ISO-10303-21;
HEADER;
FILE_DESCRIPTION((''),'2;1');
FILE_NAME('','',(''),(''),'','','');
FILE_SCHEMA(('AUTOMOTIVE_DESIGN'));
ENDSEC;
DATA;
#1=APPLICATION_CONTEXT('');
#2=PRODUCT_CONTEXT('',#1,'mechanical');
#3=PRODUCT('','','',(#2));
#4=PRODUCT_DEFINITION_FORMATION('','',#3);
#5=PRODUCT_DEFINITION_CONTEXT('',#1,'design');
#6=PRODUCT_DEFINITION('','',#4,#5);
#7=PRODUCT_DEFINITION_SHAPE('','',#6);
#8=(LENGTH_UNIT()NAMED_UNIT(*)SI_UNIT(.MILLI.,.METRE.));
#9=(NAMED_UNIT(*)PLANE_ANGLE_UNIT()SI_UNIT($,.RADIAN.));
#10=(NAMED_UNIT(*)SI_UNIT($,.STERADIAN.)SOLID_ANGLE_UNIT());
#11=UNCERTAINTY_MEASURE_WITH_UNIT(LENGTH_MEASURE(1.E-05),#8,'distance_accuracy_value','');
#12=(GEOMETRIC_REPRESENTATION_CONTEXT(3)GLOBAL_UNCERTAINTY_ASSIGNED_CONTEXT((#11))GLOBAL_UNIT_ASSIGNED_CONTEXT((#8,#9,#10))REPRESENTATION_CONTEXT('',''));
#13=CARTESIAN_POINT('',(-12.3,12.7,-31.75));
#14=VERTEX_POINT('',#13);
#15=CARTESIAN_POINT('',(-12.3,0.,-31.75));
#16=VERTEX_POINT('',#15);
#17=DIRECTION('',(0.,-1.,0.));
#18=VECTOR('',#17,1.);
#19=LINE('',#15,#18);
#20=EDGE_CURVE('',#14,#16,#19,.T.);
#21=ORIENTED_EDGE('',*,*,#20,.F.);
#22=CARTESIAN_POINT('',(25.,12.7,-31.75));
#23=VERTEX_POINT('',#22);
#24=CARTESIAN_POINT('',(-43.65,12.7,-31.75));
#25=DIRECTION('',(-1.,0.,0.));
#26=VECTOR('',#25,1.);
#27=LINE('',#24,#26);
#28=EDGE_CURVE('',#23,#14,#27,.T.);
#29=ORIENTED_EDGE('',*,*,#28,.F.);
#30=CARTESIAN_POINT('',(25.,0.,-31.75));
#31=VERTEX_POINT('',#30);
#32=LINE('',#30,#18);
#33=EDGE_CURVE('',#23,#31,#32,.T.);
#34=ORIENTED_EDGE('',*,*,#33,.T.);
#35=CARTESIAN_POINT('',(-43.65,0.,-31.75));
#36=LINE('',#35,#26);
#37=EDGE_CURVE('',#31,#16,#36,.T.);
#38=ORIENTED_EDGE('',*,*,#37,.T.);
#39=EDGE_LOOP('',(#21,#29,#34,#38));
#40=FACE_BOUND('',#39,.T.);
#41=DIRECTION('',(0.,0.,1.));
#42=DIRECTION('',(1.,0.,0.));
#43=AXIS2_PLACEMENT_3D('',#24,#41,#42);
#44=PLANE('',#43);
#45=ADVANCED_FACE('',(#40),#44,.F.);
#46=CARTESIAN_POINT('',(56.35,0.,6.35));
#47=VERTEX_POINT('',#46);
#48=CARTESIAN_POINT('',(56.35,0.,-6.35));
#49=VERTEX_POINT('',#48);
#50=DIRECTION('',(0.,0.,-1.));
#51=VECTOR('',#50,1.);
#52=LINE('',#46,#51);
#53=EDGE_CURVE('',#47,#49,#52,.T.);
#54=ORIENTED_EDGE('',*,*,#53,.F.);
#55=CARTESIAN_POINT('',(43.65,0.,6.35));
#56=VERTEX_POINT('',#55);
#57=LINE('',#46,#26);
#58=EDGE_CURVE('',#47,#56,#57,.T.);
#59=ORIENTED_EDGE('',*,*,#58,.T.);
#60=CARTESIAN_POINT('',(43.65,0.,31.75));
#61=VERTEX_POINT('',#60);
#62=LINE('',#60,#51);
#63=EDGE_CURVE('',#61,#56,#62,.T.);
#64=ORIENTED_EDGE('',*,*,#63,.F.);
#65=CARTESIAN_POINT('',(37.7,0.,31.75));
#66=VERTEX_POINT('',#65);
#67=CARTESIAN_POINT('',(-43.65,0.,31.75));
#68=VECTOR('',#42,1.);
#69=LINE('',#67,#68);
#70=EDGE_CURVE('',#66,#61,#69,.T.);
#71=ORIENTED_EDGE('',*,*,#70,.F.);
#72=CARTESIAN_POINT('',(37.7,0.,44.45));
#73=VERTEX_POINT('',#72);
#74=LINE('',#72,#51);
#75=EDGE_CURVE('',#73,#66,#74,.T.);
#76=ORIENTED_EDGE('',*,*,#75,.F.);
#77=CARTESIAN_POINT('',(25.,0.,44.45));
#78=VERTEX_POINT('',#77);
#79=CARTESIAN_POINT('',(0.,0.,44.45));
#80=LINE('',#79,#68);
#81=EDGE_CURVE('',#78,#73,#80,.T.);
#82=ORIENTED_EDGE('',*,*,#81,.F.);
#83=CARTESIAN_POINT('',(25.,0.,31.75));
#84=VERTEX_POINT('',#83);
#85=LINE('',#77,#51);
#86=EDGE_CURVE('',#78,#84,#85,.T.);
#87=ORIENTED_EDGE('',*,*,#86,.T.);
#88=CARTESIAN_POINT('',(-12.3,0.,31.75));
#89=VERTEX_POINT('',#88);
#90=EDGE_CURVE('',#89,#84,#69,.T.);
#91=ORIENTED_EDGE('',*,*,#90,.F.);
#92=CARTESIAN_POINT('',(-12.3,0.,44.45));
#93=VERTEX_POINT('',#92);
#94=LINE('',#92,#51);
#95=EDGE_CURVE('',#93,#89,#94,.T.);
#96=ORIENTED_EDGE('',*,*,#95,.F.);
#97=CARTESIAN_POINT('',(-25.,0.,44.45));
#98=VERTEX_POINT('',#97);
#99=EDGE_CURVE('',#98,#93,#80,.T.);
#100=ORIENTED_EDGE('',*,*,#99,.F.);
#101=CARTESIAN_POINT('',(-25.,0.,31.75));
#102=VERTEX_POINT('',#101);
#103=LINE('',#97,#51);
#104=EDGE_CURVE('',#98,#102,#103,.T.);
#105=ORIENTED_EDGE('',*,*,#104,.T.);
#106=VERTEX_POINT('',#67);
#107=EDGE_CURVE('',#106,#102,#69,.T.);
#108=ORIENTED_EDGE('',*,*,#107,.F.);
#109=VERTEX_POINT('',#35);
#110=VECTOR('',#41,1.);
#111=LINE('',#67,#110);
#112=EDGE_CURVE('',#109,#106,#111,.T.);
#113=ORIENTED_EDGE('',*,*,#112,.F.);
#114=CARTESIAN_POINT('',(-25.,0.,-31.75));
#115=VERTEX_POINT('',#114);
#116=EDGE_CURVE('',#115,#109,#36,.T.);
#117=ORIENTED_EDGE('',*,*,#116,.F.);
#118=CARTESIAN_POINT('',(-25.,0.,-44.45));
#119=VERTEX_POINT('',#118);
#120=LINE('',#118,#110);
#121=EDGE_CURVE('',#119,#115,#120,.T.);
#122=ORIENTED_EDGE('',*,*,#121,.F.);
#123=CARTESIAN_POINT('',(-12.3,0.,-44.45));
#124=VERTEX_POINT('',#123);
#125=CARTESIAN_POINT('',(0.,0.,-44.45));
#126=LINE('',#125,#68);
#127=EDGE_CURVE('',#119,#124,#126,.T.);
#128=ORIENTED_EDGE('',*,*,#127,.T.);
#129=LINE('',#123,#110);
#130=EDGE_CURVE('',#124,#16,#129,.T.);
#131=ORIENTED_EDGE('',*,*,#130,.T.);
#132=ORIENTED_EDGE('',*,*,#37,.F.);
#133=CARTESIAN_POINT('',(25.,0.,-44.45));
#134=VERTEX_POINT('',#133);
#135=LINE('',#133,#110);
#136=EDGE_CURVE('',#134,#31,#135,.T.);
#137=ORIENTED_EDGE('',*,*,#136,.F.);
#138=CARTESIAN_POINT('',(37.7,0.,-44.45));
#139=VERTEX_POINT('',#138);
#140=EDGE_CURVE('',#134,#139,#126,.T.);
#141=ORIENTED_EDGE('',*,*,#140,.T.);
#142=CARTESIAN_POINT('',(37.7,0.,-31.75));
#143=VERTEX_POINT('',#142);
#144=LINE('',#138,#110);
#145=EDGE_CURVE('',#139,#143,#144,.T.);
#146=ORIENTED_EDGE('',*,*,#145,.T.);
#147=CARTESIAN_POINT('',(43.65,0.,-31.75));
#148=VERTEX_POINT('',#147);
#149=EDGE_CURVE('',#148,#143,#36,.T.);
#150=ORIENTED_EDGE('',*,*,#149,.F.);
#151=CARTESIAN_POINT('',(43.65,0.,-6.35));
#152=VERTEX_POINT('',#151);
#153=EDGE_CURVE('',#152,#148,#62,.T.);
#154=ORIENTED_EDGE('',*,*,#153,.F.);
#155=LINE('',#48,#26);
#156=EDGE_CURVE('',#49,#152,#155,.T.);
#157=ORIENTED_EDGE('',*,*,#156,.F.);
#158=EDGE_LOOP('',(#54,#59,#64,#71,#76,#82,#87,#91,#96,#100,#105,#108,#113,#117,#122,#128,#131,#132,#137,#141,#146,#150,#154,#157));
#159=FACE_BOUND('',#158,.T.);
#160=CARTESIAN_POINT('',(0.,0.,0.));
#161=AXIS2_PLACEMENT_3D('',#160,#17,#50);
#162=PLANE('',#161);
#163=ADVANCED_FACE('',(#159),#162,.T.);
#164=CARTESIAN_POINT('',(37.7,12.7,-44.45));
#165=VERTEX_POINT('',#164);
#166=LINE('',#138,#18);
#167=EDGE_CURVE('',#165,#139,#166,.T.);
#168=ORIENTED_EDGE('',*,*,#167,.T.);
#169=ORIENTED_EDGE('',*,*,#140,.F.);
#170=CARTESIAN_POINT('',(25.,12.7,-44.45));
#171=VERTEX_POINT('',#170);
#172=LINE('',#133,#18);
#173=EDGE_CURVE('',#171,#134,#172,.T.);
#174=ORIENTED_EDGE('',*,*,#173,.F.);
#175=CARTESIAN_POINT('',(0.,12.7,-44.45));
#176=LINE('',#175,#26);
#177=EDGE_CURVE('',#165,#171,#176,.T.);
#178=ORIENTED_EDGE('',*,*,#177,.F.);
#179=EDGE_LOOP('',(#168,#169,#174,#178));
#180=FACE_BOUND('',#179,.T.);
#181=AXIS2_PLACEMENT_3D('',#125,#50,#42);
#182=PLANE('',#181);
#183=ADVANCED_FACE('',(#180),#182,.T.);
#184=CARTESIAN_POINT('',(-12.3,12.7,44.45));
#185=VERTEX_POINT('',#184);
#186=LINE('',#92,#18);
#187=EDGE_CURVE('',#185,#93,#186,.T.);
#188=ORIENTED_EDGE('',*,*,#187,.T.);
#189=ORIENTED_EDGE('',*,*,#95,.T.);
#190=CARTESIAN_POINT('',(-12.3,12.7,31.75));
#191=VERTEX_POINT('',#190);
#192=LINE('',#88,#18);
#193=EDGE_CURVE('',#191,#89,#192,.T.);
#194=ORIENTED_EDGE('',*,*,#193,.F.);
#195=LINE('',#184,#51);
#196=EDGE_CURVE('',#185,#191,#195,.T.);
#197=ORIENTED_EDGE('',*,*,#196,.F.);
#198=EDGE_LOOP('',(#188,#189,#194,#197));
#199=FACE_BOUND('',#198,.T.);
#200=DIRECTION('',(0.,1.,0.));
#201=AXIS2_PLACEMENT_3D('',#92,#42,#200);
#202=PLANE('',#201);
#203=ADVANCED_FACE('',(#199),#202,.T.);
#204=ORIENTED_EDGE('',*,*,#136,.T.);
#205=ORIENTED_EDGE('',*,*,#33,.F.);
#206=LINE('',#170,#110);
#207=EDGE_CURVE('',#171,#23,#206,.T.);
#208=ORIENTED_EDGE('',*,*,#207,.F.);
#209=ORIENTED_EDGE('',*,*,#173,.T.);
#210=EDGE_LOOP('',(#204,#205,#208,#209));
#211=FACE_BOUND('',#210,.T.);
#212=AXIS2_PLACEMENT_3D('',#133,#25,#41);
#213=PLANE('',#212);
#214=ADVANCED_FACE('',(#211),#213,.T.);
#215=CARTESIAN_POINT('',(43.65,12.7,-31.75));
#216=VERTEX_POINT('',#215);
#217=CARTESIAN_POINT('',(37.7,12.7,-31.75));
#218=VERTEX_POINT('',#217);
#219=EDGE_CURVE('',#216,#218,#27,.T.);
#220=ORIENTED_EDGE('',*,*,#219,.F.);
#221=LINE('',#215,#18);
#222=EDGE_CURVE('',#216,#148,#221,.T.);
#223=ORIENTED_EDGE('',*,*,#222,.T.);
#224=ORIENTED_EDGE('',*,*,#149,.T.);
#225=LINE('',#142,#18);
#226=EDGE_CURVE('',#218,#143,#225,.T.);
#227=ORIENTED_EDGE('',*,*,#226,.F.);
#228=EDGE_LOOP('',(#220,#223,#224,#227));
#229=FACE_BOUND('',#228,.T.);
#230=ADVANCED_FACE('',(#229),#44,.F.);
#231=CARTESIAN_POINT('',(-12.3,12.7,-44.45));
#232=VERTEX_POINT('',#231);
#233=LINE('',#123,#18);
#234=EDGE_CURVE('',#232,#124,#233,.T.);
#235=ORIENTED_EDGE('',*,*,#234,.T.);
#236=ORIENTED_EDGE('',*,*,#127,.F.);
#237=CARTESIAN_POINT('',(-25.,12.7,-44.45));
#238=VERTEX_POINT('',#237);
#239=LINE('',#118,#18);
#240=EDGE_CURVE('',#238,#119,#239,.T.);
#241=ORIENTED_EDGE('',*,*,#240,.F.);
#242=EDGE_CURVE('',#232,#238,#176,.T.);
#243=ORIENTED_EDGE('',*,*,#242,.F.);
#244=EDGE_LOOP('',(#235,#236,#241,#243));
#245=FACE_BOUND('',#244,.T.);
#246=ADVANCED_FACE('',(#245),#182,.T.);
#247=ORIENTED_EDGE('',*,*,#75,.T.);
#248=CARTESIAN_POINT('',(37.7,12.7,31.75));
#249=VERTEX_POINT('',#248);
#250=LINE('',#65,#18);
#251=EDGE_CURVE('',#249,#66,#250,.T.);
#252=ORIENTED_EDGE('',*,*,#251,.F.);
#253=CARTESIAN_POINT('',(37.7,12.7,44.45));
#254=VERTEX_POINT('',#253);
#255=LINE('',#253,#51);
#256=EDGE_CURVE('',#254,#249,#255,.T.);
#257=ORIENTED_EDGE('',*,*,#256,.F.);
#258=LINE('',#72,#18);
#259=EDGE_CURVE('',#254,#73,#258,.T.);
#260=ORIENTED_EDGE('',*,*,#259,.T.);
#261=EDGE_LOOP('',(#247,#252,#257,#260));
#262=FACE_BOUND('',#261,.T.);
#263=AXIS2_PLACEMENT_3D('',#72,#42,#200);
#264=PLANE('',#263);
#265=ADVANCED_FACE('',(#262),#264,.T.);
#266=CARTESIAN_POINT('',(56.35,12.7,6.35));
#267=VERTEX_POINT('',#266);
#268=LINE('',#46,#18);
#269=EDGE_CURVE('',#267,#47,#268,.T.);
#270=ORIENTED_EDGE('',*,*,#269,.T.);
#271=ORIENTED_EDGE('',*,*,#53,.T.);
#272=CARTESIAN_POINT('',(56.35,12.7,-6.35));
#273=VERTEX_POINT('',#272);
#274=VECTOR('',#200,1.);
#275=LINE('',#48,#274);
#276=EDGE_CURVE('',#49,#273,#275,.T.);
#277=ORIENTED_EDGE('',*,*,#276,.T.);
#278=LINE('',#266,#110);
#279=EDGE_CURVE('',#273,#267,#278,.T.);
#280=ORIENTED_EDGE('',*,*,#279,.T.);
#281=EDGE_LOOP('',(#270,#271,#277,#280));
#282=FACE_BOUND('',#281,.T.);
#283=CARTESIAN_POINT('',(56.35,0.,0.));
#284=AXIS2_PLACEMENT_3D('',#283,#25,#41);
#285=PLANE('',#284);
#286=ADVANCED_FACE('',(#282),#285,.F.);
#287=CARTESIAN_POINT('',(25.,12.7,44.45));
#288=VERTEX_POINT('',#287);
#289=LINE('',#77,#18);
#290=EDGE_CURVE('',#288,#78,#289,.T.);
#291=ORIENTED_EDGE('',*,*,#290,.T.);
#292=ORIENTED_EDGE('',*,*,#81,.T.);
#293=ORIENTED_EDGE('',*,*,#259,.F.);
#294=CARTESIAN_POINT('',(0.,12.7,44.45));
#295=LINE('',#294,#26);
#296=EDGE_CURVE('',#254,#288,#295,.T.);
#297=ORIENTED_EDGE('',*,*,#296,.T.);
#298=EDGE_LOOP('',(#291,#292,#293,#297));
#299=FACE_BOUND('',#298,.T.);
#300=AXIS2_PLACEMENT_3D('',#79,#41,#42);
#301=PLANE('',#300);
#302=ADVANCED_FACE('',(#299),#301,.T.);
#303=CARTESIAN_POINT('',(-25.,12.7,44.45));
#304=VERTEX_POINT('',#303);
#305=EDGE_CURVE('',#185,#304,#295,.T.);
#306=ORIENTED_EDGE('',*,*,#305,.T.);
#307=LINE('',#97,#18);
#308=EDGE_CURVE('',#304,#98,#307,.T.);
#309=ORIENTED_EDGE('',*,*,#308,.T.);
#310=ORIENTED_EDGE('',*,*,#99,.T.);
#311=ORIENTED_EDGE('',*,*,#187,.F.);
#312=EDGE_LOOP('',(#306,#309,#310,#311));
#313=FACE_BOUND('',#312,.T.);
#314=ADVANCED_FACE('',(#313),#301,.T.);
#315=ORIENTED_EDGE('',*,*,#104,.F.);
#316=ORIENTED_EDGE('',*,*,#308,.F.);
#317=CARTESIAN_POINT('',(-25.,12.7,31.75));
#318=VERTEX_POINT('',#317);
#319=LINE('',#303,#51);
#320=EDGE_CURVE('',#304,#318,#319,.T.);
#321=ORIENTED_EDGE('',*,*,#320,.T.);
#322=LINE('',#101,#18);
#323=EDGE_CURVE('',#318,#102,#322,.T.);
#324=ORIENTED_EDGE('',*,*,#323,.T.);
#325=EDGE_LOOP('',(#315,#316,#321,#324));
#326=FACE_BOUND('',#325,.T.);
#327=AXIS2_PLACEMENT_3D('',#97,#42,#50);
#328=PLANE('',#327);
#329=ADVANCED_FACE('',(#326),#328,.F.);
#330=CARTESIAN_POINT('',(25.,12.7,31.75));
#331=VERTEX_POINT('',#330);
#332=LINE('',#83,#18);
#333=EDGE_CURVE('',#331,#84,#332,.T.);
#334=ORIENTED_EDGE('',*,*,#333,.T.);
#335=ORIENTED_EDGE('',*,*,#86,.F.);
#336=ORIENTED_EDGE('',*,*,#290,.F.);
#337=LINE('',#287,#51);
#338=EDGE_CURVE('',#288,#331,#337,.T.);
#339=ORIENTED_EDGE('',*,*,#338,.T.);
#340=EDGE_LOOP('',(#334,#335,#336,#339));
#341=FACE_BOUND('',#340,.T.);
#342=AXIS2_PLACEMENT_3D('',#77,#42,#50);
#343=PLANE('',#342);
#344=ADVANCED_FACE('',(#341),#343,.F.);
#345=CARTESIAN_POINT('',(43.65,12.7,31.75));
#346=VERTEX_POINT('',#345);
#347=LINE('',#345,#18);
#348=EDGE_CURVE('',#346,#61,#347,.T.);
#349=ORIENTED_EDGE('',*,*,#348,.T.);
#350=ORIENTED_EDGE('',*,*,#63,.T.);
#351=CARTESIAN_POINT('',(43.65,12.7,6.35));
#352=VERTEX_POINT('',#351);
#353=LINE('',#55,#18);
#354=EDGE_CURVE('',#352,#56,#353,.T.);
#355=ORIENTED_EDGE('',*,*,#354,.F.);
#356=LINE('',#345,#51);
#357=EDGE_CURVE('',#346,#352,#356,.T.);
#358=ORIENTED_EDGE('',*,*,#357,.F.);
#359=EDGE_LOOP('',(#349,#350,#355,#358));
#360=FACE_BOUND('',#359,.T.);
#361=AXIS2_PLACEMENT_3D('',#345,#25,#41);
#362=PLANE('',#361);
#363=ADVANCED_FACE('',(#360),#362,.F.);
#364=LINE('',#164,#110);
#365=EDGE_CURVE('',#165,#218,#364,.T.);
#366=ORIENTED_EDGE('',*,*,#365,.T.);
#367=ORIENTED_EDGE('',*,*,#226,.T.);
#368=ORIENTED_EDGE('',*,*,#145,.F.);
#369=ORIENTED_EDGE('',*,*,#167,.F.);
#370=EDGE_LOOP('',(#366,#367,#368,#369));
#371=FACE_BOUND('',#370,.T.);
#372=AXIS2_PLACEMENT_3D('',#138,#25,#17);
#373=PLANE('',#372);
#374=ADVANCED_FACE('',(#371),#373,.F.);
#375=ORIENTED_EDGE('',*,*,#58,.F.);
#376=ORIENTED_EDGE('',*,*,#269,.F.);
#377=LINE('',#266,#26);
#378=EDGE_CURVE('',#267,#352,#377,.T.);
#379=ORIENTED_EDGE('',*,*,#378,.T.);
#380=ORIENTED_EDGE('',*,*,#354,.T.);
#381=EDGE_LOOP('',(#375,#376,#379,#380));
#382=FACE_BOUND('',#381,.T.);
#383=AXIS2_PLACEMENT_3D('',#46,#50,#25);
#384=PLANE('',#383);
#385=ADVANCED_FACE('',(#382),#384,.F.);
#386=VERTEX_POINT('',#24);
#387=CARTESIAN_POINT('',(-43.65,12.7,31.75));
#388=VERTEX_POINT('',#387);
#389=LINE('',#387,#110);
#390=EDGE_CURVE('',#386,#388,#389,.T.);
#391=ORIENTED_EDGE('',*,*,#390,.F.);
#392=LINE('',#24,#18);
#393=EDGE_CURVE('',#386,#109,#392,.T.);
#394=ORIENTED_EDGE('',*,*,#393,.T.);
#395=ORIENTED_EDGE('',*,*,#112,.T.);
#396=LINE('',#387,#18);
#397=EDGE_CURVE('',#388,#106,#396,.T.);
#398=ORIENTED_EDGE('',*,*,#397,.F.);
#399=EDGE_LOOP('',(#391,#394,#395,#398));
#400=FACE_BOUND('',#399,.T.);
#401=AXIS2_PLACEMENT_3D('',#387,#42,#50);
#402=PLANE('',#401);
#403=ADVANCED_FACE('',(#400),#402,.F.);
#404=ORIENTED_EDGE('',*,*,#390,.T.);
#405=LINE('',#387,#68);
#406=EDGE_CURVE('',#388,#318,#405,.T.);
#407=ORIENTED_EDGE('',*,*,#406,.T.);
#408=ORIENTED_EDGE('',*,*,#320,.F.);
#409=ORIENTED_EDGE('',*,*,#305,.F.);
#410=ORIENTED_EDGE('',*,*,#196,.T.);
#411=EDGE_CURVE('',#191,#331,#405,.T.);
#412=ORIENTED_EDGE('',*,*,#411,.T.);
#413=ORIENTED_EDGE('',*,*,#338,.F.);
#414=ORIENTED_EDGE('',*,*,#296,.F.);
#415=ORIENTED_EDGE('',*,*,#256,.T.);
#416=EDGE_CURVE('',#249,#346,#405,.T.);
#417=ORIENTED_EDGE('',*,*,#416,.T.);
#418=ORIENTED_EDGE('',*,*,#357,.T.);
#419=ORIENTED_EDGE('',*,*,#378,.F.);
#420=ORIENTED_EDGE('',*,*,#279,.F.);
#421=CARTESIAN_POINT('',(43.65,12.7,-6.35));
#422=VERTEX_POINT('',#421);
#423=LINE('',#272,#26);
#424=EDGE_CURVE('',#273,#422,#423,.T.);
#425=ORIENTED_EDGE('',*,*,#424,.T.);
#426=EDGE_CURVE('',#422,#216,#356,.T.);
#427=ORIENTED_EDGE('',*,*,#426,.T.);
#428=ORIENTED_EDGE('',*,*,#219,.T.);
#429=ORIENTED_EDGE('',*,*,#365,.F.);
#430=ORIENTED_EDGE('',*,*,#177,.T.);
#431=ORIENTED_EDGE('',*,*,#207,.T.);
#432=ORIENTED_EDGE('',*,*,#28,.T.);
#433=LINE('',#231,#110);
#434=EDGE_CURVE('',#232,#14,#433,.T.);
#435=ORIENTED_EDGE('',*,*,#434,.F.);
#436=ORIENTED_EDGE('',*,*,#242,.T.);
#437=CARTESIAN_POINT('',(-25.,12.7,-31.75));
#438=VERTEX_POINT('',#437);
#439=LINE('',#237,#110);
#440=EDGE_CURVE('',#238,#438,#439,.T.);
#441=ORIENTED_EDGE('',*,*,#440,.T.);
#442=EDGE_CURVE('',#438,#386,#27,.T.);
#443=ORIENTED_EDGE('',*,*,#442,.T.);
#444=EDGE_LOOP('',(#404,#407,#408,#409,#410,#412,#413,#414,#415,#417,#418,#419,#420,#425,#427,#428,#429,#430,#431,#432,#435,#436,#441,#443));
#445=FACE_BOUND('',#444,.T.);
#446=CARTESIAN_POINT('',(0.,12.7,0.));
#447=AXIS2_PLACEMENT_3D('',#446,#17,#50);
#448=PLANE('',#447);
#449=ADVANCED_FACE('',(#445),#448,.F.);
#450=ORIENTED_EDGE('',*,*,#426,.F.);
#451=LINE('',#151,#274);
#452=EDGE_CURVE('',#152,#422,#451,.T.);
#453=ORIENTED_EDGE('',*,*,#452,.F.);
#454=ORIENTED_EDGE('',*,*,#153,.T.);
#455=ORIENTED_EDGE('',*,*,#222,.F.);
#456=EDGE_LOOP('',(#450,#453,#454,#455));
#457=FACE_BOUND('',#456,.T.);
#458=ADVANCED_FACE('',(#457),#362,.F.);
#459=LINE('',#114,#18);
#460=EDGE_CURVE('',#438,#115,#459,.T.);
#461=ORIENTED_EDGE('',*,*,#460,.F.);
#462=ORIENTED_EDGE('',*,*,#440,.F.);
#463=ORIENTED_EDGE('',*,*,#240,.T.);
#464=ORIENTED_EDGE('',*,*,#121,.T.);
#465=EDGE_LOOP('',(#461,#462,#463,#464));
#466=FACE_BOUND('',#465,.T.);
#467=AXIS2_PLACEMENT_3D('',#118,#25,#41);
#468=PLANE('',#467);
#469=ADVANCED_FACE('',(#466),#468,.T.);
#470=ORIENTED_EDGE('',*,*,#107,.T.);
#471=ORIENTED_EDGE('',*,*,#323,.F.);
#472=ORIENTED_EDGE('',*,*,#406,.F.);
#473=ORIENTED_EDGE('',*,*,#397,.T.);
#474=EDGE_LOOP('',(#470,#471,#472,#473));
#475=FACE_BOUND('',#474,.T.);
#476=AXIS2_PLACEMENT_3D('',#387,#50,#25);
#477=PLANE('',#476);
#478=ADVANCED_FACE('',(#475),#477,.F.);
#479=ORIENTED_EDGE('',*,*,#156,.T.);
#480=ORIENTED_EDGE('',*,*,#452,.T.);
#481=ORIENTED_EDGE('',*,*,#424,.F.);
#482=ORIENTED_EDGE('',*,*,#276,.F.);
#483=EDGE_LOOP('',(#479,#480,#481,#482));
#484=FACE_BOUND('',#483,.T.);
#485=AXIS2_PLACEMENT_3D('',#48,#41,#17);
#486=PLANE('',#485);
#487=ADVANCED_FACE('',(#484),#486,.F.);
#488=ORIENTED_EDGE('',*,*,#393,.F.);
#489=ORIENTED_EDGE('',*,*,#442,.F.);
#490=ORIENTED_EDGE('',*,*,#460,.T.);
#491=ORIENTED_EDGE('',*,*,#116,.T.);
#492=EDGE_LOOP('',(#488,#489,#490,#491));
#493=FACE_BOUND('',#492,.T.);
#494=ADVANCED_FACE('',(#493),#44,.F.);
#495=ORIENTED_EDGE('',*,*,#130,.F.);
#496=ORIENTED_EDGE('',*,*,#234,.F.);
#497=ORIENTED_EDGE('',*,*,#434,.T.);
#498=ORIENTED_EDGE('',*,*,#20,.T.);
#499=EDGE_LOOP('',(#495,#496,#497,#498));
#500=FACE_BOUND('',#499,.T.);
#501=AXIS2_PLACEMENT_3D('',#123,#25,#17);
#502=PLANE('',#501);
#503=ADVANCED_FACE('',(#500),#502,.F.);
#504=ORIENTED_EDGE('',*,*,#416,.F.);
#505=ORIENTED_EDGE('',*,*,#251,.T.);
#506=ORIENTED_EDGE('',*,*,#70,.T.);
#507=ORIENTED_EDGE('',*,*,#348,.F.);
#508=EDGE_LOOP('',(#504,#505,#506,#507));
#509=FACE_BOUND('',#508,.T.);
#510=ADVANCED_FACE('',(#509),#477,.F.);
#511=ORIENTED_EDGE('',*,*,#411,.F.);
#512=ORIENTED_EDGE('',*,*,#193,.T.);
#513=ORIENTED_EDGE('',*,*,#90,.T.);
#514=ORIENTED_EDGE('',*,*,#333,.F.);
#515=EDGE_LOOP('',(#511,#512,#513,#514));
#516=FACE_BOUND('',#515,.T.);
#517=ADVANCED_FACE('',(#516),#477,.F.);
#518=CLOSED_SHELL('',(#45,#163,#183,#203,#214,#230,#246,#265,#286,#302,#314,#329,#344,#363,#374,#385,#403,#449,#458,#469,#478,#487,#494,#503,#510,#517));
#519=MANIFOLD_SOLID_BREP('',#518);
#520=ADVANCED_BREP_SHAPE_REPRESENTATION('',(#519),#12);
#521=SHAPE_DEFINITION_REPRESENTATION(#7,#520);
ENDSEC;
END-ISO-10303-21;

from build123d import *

# Parameters (mm, degrees)
SKETCH3_W           = 87.3
SKETCH3_H           = 63.5
BOSS_EXTRUDE3_DEPTH = 12.7
SKETCH4_W           = 12.7
SKETCH4_H           = 12.7
BOSS_EXTRUDE4_DEPTH = 12.7
SKETCH5_W           = 12.7
SKETCH5_H           = 12.7
BOSS_EXTRUDE7_DEPTH = 12.7


with BuildPart() as part:
    # Sketch3 → Boss-Extrude3 (new body)
    with BuildSketch(Plane(origin=(0, 0, 0), x_dir=(1, 0, 0), z_dir=(0, 1, 0))):
        Rectangle(SKETCH3_W, SKETCH3_H)
    extrude(amount=BOSS_EXTRUDE3_DEPTH)

    # Sketch4 → Boss-Extrude4 (add)
    with BuildSketch(Plane(origin=(43.65, 0, 0), x_dir=(0, 0, -1), z_dir=(1, 0, 0))):
        with Locations((0, 6.35)):
            Rectangle(SKETCH4_W, SKETCH4_H)
    extrude(amount=BOSS_EXTRUDE4_DEPTH)

    # Sketch5 → Boss-Extrude7 (add)
    with BuildSketch(Plane.XY.offset(31.75)):
        Polygon((-12.300000038, 12.7), (-25.000000038, 12.7), (-25.000000038, 6.35), (-25.000000038, 0), (-12.300000038, 0), align=None)
        with Locations((31.349999962, 6.35)):
            Rectangle(SKETCH5_W, SKETCH5_H)
    boss_extrude7 = extrude(amount=BOSS_EXTRUDE7_DEPTH)

    # Mirror2: Boss-Extrude7 across plane
    add(boss_extrude7.mirror(Plane.XY))


solid = part.part
